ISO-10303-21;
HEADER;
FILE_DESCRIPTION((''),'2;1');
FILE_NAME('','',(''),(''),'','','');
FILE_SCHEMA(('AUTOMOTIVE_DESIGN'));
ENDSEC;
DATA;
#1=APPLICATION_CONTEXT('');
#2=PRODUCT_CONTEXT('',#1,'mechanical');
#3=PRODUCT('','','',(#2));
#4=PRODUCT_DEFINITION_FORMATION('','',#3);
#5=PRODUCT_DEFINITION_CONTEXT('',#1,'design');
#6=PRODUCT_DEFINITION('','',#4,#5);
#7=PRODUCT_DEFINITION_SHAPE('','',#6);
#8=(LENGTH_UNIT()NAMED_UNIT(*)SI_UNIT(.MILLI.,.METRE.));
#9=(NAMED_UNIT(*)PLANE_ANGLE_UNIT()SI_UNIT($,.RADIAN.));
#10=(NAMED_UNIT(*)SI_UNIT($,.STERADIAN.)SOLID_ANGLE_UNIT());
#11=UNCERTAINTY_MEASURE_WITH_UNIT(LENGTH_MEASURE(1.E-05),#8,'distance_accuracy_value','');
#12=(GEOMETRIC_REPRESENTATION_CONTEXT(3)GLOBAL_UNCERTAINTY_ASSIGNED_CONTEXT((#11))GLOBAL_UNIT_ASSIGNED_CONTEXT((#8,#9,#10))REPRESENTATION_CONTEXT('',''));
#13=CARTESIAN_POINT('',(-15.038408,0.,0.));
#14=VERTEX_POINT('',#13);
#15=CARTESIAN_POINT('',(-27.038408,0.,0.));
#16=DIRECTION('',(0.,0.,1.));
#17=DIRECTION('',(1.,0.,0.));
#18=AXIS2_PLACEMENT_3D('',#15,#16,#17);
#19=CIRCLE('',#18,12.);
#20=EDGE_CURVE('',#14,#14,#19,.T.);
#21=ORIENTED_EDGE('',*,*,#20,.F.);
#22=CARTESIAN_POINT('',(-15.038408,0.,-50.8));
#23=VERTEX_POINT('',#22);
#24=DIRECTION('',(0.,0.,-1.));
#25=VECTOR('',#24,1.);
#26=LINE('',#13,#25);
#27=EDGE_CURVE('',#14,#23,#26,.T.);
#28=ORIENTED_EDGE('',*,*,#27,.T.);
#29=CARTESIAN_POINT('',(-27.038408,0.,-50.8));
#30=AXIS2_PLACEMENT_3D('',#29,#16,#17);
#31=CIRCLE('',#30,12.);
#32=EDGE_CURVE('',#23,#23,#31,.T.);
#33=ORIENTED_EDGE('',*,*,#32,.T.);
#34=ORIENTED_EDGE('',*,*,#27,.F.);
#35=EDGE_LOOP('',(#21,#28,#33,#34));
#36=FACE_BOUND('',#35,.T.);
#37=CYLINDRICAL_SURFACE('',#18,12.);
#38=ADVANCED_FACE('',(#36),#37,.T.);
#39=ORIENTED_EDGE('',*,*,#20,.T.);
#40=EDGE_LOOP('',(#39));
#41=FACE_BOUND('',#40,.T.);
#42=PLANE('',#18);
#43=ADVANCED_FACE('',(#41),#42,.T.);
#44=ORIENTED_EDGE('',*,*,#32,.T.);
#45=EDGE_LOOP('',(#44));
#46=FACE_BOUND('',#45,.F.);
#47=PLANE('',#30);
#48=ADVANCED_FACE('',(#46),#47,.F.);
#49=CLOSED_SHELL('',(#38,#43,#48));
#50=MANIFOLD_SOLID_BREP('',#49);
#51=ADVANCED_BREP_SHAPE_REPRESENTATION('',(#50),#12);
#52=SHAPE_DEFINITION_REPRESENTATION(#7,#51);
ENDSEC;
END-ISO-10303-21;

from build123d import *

# Parameters (mm, degrees)
F0_R     = 12
F1_DEPTH = 50.8


with BuildPart() as f1:
    # F0 (on Top) → F1 (new body)
    with BuildSketch(Plane.XY):
        with Locations((-27.038408, 0)):
            Circle(F0_R)
    extrude(amount=-F1_DEPTH)


solid = f1.part
